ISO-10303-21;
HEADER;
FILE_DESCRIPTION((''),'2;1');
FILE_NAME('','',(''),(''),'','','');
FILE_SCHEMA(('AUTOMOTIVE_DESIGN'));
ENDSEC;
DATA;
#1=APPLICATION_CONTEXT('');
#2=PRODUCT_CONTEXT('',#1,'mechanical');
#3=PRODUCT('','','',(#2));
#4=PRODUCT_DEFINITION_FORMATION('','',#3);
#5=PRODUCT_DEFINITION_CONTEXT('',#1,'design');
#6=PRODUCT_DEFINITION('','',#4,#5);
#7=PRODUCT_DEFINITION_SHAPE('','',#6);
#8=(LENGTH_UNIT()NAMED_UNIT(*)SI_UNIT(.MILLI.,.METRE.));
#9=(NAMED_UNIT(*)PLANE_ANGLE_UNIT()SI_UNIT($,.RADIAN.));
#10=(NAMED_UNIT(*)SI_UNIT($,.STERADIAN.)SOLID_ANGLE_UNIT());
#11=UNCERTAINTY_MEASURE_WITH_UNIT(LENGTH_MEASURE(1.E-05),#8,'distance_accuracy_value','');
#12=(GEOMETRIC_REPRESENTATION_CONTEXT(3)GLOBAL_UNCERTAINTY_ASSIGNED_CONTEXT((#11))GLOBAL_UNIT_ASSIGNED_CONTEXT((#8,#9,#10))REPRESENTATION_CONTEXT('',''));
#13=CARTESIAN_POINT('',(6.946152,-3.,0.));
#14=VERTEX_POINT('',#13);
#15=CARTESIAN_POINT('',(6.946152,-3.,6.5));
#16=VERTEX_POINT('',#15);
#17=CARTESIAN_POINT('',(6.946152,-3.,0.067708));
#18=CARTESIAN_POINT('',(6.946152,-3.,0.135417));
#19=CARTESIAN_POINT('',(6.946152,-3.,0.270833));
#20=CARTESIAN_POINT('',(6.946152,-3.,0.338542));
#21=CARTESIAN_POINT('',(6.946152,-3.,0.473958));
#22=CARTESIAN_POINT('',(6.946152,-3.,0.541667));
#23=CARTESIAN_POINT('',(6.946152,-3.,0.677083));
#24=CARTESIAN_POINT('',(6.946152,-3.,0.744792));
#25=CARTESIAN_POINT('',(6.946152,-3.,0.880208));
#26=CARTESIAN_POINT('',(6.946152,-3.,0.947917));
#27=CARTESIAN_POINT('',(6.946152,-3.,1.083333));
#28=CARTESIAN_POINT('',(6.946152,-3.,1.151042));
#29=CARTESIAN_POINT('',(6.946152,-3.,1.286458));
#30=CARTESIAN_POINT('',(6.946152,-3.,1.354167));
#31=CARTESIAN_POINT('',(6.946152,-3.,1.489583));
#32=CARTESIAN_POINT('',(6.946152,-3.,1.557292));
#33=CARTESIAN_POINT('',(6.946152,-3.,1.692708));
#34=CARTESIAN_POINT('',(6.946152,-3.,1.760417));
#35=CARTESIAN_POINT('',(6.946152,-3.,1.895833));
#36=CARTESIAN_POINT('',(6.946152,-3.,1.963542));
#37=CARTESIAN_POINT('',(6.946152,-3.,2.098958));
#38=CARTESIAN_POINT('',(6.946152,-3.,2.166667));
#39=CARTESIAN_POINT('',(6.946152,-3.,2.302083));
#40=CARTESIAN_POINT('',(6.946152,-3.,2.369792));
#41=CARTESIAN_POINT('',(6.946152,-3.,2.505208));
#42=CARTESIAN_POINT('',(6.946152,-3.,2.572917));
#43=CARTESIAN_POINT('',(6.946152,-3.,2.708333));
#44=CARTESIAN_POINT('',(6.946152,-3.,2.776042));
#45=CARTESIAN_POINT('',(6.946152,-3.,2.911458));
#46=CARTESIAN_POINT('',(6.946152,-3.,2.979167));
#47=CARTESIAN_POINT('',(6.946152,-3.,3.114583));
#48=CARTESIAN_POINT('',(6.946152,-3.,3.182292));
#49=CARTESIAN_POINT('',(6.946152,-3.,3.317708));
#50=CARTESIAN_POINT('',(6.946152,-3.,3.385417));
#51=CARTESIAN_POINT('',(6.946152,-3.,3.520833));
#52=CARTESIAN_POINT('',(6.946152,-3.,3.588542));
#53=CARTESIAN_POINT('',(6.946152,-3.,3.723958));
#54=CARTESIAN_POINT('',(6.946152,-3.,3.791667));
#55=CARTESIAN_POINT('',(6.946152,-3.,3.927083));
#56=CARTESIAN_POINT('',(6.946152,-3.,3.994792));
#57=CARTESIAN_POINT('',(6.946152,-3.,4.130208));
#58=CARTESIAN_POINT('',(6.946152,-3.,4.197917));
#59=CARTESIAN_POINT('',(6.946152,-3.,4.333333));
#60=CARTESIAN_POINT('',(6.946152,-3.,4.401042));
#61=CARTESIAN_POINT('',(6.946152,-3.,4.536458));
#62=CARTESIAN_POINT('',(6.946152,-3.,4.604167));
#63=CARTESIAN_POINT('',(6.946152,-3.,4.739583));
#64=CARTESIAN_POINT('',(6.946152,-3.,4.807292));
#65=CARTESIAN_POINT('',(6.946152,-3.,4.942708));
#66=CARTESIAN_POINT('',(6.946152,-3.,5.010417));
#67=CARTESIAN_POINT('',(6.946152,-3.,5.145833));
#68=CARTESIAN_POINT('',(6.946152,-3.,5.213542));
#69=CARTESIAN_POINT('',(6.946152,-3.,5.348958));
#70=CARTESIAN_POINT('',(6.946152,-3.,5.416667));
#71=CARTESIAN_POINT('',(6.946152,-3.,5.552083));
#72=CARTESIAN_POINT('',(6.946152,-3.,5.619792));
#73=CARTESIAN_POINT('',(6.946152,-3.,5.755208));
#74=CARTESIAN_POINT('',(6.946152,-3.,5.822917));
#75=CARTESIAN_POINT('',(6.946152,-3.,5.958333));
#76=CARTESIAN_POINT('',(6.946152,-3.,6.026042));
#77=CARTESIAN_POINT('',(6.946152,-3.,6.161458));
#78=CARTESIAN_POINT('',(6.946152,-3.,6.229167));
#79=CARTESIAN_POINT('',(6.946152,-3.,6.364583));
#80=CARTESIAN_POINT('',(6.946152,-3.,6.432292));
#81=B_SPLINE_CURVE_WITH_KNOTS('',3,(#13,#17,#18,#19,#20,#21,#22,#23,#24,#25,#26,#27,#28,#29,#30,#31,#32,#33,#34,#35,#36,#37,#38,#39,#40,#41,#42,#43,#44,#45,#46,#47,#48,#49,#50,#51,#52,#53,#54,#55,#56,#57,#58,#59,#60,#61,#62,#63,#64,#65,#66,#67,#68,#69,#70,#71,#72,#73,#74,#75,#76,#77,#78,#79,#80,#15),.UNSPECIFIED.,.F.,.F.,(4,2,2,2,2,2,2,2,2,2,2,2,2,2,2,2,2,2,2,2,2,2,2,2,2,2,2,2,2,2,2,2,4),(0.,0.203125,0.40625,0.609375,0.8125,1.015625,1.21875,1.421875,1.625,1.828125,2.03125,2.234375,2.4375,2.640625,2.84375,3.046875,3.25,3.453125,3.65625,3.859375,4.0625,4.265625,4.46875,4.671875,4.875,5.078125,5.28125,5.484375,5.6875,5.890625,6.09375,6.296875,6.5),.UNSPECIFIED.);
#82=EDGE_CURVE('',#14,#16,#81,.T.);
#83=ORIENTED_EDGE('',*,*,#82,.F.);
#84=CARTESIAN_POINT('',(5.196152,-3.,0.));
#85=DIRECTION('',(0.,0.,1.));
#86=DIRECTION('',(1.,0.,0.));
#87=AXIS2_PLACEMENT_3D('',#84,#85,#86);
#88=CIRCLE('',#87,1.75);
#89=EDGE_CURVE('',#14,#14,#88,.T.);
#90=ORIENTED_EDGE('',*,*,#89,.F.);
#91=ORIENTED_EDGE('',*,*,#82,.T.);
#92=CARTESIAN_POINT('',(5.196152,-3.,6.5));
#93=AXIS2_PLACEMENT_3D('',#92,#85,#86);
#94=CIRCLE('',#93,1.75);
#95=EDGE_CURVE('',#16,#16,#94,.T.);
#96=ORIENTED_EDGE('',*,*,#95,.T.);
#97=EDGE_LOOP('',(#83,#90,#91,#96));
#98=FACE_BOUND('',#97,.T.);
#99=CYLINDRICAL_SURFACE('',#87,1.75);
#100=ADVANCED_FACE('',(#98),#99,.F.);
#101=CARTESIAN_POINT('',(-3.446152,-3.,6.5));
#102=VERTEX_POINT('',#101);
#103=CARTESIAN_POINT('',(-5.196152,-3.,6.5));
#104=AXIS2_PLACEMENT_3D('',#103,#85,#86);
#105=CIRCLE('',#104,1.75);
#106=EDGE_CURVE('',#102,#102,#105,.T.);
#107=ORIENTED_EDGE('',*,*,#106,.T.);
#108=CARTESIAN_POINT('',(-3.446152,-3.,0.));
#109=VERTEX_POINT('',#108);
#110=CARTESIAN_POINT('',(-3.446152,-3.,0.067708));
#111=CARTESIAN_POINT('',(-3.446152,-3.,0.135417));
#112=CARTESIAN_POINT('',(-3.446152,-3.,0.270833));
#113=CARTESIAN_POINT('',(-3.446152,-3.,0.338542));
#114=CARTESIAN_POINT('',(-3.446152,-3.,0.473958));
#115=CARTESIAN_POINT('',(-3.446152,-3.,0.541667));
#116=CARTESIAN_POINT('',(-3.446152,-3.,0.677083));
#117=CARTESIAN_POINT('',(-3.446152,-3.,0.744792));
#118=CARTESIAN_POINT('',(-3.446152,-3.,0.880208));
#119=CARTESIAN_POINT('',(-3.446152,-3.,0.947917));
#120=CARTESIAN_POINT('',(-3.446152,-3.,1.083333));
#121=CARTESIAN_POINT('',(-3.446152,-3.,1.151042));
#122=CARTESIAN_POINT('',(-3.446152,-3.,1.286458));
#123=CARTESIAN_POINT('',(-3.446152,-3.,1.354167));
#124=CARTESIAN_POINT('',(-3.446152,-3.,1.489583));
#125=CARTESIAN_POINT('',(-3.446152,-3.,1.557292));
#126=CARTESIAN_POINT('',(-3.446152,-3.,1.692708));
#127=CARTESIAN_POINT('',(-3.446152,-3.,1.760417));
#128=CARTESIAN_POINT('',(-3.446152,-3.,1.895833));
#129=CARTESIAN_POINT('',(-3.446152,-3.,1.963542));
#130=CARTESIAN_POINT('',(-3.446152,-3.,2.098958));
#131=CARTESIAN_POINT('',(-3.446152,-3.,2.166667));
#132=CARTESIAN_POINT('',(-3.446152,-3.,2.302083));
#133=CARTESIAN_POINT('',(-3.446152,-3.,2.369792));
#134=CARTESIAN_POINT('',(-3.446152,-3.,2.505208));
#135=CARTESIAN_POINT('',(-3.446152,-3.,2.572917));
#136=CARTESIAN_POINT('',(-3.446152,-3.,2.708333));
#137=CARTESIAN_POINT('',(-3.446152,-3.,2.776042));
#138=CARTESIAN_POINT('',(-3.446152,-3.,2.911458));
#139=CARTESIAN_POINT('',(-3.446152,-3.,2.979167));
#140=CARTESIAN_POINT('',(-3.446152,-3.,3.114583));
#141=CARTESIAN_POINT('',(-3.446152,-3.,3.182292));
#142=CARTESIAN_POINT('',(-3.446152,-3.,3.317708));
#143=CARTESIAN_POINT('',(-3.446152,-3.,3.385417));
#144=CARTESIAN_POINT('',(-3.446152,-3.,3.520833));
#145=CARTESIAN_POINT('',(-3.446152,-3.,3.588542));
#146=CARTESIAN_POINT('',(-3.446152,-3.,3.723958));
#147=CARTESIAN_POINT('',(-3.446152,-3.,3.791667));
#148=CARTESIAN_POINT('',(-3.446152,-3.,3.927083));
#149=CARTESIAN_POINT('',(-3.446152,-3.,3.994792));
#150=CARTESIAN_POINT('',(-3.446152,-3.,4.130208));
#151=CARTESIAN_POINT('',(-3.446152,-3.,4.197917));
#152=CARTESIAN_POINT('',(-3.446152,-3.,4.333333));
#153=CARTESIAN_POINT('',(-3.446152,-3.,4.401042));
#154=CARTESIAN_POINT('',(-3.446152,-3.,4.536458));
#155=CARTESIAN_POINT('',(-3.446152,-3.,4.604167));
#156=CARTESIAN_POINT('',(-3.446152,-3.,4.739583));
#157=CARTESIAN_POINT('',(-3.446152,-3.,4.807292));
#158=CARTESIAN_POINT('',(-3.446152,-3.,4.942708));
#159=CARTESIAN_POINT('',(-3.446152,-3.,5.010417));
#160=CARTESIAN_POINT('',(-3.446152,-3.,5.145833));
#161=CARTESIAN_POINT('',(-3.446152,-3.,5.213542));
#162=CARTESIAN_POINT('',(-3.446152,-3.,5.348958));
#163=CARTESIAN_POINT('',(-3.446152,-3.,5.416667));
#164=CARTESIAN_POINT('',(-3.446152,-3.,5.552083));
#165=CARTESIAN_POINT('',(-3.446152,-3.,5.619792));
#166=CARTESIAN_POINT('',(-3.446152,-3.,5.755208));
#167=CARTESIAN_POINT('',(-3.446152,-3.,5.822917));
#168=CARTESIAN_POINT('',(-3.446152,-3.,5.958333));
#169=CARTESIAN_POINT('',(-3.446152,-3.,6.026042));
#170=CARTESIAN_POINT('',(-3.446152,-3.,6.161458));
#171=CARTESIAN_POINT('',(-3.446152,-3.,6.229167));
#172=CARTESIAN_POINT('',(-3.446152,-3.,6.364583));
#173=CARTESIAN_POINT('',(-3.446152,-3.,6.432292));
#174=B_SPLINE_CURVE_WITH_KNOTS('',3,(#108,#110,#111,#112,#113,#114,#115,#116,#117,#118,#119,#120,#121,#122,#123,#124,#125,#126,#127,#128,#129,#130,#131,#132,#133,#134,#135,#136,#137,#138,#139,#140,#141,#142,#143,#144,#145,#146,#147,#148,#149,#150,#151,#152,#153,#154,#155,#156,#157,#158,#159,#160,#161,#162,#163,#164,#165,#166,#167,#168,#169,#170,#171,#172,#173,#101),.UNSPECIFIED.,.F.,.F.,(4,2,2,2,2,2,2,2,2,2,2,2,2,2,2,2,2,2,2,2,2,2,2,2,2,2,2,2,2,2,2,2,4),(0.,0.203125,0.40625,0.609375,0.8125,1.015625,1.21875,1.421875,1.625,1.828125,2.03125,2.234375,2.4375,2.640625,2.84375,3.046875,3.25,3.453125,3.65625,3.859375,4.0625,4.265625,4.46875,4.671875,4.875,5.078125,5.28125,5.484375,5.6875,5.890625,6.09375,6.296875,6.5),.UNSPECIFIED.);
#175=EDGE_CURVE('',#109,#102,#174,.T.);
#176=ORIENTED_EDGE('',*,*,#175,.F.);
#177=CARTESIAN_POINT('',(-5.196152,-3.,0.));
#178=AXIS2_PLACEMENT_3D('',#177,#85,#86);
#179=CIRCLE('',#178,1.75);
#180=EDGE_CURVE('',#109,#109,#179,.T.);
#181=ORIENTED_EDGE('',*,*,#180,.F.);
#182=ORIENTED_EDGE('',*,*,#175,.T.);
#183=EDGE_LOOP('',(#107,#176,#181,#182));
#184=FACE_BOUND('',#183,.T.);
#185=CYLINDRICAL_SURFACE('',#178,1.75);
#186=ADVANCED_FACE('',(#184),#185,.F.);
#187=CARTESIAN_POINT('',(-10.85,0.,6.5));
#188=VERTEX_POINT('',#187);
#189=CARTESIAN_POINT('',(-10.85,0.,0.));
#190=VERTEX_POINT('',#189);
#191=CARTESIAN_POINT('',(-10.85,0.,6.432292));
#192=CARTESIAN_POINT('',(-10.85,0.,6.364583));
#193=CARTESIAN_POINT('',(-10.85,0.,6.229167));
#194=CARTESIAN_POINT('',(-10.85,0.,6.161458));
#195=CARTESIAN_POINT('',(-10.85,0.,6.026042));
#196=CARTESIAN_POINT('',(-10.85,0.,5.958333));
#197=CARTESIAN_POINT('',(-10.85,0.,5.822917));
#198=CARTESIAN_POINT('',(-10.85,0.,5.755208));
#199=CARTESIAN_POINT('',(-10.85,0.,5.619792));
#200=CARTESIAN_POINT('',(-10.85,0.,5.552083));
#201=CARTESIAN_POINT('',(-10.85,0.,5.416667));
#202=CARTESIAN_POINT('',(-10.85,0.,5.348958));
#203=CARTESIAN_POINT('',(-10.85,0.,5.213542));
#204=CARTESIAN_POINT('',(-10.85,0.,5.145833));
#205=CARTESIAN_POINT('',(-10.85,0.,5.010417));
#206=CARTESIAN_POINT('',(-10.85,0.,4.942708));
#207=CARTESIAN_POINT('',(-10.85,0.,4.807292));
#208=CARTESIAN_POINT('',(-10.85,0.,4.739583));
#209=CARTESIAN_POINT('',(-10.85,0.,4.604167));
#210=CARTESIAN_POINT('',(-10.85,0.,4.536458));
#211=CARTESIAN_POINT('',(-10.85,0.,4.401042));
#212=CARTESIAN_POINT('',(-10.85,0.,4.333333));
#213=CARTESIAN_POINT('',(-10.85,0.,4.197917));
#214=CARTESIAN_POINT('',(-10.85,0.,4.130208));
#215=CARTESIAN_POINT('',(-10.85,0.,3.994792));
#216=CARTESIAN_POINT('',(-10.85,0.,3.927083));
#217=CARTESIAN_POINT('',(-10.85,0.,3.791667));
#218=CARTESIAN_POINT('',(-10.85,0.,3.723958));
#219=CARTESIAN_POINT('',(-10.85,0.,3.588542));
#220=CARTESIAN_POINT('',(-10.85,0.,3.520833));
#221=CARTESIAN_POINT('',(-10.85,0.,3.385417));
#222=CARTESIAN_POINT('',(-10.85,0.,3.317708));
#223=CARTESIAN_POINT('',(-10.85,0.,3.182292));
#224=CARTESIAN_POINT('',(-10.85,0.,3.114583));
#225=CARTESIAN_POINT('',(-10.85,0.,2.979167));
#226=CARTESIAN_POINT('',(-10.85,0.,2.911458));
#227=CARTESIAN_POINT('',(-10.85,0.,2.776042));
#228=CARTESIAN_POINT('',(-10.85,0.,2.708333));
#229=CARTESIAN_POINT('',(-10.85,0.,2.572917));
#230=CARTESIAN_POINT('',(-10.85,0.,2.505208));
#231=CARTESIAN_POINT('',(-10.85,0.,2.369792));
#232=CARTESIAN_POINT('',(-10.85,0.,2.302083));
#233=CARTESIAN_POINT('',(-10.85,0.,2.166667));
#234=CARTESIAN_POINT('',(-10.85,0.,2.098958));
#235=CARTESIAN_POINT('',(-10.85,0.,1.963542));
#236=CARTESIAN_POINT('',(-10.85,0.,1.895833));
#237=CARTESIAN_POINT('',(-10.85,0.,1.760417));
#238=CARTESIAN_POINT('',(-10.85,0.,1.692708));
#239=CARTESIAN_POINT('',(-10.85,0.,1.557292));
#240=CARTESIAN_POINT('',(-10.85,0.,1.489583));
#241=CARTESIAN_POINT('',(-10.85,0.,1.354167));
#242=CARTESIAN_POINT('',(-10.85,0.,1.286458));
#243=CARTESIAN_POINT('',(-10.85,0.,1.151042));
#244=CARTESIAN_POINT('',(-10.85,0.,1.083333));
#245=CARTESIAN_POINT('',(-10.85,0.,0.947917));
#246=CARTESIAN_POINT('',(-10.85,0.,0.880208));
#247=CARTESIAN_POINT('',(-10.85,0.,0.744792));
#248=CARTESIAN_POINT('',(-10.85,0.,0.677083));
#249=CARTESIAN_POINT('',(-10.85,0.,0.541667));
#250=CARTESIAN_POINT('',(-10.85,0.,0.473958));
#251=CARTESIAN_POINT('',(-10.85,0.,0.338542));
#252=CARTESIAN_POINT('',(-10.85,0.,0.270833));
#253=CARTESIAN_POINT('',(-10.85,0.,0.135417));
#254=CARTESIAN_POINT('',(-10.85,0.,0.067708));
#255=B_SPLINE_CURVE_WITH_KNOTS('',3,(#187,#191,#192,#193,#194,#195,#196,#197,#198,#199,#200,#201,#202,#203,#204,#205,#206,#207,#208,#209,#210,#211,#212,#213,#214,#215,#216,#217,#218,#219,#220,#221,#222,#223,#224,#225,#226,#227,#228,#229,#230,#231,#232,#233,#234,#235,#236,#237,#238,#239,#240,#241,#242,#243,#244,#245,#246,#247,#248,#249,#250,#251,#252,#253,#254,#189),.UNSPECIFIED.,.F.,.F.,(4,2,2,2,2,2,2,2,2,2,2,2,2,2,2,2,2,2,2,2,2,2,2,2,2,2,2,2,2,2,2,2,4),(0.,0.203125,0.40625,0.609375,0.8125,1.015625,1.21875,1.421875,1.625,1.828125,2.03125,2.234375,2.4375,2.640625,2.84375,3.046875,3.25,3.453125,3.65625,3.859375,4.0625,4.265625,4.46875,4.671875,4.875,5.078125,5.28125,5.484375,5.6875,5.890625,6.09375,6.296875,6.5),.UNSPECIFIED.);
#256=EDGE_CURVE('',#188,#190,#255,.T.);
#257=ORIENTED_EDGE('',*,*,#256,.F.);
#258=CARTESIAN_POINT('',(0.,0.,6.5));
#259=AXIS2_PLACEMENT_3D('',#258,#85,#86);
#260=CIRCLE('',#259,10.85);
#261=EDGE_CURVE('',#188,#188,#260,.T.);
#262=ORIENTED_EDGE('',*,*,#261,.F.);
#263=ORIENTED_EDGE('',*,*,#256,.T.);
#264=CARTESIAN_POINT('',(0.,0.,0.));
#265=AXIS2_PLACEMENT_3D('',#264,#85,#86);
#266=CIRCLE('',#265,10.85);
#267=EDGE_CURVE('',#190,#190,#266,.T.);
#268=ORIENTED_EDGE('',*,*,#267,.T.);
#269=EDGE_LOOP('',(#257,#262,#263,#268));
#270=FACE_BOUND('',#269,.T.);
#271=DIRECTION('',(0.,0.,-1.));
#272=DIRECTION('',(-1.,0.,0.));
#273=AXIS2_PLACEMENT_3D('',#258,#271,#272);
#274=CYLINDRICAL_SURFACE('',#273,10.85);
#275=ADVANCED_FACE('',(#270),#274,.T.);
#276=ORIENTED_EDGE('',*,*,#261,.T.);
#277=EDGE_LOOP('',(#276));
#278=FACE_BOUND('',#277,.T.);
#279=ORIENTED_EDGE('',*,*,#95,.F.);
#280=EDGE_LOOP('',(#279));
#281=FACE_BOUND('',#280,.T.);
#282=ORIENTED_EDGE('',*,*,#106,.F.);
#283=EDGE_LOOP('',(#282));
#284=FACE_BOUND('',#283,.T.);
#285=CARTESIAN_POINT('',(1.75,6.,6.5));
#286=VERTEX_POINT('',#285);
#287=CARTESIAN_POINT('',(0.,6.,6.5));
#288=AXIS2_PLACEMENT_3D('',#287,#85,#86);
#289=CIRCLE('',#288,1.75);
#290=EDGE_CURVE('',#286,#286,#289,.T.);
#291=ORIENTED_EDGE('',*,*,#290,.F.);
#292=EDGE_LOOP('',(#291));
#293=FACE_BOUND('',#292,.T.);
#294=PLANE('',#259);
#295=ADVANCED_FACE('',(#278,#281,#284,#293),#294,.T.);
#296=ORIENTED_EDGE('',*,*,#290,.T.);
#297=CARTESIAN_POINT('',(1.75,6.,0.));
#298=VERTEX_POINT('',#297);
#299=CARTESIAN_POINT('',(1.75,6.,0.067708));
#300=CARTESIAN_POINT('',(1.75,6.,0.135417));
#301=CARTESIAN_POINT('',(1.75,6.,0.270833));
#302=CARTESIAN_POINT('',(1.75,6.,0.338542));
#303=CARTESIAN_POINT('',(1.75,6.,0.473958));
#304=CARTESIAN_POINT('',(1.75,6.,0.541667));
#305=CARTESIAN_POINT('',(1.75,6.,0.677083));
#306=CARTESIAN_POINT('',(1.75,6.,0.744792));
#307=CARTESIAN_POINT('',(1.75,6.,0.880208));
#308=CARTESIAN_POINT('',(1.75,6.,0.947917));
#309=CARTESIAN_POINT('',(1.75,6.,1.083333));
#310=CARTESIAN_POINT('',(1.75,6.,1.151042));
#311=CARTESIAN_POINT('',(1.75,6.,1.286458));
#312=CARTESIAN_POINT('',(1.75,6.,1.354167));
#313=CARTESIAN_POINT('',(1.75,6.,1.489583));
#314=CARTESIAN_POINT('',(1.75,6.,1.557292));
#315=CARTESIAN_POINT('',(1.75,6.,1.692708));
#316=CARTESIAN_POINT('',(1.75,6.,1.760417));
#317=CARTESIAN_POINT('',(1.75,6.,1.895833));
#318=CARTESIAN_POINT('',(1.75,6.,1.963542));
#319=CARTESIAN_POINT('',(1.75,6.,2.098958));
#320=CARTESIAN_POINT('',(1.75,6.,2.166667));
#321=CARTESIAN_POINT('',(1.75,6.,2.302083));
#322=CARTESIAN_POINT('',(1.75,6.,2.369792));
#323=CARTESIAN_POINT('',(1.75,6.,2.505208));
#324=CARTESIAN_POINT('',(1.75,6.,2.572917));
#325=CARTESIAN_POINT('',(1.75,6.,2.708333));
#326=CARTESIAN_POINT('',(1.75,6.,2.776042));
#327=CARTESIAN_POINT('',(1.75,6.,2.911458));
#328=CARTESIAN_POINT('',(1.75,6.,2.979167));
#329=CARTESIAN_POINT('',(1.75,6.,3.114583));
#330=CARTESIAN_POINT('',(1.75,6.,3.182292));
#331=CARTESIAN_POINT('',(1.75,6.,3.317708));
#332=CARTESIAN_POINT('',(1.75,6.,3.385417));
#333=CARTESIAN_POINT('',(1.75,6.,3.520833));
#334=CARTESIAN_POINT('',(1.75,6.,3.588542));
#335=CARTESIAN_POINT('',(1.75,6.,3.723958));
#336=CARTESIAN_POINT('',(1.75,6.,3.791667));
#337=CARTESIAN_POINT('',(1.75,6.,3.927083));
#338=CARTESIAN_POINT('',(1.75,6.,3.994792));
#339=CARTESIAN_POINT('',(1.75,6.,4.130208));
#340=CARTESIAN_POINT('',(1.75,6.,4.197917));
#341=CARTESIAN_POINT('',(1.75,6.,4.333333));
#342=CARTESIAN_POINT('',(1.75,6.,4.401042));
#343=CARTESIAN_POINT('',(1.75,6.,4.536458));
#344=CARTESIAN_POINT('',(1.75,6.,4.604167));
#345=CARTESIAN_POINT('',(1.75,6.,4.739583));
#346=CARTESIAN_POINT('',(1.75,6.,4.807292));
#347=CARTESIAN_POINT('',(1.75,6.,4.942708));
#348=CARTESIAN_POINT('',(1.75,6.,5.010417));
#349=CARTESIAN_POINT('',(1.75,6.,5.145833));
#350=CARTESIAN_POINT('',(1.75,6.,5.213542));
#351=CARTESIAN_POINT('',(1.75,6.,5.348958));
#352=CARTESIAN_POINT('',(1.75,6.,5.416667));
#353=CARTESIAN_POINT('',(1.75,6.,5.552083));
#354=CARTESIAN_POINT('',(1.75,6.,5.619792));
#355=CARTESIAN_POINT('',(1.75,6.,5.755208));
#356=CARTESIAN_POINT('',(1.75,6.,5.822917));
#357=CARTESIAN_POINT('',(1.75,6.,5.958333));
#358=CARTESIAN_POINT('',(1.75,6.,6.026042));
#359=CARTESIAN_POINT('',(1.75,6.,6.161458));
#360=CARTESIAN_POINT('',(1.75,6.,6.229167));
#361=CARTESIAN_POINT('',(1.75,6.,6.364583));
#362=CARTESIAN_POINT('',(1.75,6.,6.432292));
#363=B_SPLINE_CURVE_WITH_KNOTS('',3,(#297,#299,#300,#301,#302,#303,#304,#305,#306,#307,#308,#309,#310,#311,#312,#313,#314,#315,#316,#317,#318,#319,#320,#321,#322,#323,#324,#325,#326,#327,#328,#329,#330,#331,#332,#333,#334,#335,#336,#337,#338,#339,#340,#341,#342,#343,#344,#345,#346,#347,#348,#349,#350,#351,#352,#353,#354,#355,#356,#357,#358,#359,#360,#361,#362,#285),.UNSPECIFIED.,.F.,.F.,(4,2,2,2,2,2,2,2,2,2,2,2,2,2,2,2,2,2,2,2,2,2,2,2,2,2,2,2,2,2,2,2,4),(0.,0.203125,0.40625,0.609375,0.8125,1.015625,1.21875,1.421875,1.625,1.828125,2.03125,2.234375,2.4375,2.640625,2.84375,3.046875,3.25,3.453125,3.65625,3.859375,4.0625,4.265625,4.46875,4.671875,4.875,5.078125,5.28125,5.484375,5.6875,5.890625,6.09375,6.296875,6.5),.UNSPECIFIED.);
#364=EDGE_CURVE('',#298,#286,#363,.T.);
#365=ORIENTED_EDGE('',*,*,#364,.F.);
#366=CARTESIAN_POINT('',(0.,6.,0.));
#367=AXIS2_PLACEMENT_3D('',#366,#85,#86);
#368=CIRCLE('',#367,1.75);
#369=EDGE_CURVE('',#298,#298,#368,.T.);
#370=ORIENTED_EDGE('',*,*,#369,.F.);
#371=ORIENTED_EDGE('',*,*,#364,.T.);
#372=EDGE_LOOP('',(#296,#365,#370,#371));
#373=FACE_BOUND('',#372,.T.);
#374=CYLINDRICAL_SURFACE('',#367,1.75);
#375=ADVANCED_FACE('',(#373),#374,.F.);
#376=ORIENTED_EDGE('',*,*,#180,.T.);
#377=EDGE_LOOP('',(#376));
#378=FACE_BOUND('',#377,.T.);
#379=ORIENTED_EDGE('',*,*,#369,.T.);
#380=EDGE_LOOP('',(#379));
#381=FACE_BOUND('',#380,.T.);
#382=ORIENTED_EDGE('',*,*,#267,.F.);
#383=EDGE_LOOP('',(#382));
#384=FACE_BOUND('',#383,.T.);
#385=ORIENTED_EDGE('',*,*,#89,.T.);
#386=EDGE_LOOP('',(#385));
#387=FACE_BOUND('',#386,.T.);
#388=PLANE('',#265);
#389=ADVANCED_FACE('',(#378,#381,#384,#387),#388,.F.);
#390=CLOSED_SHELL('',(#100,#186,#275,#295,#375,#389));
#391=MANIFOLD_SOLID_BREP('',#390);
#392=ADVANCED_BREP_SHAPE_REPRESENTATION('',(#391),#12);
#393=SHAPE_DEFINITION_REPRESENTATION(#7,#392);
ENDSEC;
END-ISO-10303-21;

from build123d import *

# Parameters (mm, degrees)
SKETCH1_R           = 10.85
BOSS_EXTRUDE1_DEPTH = 6.5
SKETCH2_R           = 1.75
CUT_EXTRUDE1_DEPTH  = 17.664183148


with BuildPart() as part:
    # Sketch1 → Boss-Extrude1 (new body)
    with BuildSketch(Plane.XY):
        with Locations(Location((0, 0, 0), (0, 0, 180))):
            Circle(SKETCH1_R)
    extrude(amount=BOSS_EXTRUDE1_DEPTH)

    # Sketch2 → Cut-Extrude1 (cut, through all)
    with BuildSketch(Plane.XY.offset(6.5)):
        with Locations((0, 6)):
            Circle(SKETCH2_R)
        with Locations((5.196152423, -3)):
            Circle(SKETCH2_R)
        with Locations((-5.196152423, -3)):
            Circle(SKETCH2_R)
    extrude(amount=-CUT_EXTRUDE1_DEPTH, mode=Mode.SUBTRACT)


solid = part.part
